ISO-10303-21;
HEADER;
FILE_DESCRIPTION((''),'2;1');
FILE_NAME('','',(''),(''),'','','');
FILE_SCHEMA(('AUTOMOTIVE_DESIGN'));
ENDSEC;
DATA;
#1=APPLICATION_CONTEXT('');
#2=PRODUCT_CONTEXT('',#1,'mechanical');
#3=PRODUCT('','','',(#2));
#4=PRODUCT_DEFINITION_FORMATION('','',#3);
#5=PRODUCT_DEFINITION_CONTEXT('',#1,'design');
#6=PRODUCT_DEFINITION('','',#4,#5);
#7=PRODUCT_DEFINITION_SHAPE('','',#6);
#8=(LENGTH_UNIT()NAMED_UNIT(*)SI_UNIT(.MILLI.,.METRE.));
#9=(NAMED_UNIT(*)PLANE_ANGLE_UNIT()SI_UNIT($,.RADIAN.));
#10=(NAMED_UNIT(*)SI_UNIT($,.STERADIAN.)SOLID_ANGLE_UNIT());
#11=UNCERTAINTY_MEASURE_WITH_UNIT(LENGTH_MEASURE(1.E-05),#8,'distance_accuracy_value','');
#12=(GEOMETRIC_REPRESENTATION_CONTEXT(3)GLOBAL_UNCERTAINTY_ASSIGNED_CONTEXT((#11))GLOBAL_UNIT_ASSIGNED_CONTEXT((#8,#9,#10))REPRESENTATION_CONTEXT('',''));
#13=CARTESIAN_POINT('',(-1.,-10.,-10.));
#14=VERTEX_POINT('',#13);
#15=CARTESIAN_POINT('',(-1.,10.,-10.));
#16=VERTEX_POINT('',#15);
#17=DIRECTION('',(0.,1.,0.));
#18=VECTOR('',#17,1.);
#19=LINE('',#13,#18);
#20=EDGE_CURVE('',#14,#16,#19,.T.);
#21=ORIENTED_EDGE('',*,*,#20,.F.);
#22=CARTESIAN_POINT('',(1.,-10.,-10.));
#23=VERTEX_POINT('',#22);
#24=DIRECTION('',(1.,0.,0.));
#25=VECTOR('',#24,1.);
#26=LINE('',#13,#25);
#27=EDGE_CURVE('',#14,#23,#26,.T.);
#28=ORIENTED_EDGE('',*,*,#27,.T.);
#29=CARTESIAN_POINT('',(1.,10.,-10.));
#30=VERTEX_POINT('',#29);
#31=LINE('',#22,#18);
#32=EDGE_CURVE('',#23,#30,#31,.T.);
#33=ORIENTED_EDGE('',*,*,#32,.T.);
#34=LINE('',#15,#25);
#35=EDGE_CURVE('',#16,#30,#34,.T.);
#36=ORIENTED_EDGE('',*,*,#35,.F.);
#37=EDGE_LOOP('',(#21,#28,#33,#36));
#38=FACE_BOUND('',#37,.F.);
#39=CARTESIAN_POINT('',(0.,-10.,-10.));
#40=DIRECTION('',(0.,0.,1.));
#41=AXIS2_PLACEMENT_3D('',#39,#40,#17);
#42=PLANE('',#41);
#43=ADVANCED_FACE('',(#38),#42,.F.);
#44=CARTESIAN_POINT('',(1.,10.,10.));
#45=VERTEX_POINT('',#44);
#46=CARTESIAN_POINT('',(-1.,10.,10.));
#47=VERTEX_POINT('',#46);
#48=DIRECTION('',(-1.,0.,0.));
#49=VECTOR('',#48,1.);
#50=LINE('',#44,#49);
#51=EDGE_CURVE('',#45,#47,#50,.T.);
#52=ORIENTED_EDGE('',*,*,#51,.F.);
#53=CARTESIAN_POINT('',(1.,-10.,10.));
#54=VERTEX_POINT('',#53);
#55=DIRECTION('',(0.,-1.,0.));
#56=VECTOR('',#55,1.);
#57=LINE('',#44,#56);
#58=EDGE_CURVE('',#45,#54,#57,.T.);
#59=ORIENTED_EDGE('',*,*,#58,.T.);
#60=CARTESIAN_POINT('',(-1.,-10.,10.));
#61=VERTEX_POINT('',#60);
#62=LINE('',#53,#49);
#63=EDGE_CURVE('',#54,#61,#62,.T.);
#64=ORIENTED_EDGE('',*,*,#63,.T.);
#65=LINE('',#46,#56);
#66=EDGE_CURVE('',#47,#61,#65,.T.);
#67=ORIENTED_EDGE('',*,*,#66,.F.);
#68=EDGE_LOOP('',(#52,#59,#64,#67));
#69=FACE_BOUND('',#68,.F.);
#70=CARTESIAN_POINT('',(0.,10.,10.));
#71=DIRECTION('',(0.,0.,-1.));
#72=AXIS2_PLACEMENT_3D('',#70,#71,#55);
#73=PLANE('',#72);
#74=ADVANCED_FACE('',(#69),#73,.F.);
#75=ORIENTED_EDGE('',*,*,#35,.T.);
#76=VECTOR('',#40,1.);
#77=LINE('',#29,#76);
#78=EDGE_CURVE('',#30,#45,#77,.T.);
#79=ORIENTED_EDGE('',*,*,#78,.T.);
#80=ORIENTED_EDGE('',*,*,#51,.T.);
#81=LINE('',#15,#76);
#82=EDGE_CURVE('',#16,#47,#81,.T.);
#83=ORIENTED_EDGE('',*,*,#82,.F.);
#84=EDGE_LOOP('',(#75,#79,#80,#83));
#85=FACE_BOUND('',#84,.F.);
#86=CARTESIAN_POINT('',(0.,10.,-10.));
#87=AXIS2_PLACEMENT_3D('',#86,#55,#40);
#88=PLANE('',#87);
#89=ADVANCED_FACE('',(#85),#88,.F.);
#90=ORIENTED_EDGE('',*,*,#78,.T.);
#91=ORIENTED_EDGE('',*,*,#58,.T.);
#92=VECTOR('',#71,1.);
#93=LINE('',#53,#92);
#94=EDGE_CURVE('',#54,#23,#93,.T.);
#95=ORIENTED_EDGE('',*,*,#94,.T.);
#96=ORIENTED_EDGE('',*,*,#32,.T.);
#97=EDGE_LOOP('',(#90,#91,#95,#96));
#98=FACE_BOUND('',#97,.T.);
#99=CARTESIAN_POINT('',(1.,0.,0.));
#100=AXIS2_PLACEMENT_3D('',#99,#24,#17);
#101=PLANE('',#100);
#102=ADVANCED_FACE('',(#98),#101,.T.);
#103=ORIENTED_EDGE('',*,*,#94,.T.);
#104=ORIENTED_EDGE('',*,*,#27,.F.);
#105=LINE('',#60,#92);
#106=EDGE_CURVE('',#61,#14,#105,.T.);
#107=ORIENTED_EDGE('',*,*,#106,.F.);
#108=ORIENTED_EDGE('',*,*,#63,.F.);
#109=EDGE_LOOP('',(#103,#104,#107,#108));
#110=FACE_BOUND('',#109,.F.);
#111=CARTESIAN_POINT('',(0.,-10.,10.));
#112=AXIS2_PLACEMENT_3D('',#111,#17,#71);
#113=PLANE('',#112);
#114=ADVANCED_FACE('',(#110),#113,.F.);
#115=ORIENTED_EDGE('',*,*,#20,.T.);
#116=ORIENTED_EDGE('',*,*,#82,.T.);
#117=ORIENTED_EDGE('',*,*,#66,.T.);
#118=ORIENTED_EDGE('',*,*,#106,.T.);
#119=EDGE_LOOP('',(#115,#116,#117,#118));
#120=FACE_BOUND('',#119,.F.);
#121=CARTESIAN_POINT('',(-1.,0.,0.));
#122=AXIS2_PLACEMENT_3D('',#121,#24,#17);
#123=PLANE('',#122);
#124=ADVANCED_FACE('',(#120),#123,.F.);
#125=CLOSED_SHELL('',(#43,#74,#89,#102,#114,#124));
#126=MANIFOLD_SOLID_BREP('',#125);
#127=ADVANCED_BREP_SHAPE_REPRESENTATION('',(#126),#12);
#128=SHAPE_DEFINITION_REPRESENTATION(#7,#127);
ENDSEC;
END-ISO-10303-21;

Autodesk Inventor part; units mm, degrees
ref_plane "YZ Plane" through (0, 0, 0) normal (1, 0, 0) x (0, 1, 0)
ref_plane "XZ Plane" through (0, 0, 0) normal (0, 1, 0) x (-1, 0, 0)
ref_plane "XY Plane" through (0, 0, 0) normal (0, 0, 1) x (1, 0, 0)
sketch "Sketch1" plane through (0, 0, 0) normal (1, 0, 0) x (0, 1, 0)
  line L0 (-10, -10) -> (10, -10)
  line L1 (10, -10) -> (10, 10)
  line L2 (10, 10) -> (-10, 10)
  line L3 (-10, 10) -> (-10, -10)
  line L4 (-10, -10) -> (10, 10) construction
  line L5 (10, -10) -> (-10, 10) construction
  point P0 (0, 0)
  dimension "d0" = 20
  dimension "d1" = 20
extrude "Extrusion1" add sketch "Sketch1" along normal mid plane 2
properties part number "PayloadGermination_Mirror" material "Glass"
